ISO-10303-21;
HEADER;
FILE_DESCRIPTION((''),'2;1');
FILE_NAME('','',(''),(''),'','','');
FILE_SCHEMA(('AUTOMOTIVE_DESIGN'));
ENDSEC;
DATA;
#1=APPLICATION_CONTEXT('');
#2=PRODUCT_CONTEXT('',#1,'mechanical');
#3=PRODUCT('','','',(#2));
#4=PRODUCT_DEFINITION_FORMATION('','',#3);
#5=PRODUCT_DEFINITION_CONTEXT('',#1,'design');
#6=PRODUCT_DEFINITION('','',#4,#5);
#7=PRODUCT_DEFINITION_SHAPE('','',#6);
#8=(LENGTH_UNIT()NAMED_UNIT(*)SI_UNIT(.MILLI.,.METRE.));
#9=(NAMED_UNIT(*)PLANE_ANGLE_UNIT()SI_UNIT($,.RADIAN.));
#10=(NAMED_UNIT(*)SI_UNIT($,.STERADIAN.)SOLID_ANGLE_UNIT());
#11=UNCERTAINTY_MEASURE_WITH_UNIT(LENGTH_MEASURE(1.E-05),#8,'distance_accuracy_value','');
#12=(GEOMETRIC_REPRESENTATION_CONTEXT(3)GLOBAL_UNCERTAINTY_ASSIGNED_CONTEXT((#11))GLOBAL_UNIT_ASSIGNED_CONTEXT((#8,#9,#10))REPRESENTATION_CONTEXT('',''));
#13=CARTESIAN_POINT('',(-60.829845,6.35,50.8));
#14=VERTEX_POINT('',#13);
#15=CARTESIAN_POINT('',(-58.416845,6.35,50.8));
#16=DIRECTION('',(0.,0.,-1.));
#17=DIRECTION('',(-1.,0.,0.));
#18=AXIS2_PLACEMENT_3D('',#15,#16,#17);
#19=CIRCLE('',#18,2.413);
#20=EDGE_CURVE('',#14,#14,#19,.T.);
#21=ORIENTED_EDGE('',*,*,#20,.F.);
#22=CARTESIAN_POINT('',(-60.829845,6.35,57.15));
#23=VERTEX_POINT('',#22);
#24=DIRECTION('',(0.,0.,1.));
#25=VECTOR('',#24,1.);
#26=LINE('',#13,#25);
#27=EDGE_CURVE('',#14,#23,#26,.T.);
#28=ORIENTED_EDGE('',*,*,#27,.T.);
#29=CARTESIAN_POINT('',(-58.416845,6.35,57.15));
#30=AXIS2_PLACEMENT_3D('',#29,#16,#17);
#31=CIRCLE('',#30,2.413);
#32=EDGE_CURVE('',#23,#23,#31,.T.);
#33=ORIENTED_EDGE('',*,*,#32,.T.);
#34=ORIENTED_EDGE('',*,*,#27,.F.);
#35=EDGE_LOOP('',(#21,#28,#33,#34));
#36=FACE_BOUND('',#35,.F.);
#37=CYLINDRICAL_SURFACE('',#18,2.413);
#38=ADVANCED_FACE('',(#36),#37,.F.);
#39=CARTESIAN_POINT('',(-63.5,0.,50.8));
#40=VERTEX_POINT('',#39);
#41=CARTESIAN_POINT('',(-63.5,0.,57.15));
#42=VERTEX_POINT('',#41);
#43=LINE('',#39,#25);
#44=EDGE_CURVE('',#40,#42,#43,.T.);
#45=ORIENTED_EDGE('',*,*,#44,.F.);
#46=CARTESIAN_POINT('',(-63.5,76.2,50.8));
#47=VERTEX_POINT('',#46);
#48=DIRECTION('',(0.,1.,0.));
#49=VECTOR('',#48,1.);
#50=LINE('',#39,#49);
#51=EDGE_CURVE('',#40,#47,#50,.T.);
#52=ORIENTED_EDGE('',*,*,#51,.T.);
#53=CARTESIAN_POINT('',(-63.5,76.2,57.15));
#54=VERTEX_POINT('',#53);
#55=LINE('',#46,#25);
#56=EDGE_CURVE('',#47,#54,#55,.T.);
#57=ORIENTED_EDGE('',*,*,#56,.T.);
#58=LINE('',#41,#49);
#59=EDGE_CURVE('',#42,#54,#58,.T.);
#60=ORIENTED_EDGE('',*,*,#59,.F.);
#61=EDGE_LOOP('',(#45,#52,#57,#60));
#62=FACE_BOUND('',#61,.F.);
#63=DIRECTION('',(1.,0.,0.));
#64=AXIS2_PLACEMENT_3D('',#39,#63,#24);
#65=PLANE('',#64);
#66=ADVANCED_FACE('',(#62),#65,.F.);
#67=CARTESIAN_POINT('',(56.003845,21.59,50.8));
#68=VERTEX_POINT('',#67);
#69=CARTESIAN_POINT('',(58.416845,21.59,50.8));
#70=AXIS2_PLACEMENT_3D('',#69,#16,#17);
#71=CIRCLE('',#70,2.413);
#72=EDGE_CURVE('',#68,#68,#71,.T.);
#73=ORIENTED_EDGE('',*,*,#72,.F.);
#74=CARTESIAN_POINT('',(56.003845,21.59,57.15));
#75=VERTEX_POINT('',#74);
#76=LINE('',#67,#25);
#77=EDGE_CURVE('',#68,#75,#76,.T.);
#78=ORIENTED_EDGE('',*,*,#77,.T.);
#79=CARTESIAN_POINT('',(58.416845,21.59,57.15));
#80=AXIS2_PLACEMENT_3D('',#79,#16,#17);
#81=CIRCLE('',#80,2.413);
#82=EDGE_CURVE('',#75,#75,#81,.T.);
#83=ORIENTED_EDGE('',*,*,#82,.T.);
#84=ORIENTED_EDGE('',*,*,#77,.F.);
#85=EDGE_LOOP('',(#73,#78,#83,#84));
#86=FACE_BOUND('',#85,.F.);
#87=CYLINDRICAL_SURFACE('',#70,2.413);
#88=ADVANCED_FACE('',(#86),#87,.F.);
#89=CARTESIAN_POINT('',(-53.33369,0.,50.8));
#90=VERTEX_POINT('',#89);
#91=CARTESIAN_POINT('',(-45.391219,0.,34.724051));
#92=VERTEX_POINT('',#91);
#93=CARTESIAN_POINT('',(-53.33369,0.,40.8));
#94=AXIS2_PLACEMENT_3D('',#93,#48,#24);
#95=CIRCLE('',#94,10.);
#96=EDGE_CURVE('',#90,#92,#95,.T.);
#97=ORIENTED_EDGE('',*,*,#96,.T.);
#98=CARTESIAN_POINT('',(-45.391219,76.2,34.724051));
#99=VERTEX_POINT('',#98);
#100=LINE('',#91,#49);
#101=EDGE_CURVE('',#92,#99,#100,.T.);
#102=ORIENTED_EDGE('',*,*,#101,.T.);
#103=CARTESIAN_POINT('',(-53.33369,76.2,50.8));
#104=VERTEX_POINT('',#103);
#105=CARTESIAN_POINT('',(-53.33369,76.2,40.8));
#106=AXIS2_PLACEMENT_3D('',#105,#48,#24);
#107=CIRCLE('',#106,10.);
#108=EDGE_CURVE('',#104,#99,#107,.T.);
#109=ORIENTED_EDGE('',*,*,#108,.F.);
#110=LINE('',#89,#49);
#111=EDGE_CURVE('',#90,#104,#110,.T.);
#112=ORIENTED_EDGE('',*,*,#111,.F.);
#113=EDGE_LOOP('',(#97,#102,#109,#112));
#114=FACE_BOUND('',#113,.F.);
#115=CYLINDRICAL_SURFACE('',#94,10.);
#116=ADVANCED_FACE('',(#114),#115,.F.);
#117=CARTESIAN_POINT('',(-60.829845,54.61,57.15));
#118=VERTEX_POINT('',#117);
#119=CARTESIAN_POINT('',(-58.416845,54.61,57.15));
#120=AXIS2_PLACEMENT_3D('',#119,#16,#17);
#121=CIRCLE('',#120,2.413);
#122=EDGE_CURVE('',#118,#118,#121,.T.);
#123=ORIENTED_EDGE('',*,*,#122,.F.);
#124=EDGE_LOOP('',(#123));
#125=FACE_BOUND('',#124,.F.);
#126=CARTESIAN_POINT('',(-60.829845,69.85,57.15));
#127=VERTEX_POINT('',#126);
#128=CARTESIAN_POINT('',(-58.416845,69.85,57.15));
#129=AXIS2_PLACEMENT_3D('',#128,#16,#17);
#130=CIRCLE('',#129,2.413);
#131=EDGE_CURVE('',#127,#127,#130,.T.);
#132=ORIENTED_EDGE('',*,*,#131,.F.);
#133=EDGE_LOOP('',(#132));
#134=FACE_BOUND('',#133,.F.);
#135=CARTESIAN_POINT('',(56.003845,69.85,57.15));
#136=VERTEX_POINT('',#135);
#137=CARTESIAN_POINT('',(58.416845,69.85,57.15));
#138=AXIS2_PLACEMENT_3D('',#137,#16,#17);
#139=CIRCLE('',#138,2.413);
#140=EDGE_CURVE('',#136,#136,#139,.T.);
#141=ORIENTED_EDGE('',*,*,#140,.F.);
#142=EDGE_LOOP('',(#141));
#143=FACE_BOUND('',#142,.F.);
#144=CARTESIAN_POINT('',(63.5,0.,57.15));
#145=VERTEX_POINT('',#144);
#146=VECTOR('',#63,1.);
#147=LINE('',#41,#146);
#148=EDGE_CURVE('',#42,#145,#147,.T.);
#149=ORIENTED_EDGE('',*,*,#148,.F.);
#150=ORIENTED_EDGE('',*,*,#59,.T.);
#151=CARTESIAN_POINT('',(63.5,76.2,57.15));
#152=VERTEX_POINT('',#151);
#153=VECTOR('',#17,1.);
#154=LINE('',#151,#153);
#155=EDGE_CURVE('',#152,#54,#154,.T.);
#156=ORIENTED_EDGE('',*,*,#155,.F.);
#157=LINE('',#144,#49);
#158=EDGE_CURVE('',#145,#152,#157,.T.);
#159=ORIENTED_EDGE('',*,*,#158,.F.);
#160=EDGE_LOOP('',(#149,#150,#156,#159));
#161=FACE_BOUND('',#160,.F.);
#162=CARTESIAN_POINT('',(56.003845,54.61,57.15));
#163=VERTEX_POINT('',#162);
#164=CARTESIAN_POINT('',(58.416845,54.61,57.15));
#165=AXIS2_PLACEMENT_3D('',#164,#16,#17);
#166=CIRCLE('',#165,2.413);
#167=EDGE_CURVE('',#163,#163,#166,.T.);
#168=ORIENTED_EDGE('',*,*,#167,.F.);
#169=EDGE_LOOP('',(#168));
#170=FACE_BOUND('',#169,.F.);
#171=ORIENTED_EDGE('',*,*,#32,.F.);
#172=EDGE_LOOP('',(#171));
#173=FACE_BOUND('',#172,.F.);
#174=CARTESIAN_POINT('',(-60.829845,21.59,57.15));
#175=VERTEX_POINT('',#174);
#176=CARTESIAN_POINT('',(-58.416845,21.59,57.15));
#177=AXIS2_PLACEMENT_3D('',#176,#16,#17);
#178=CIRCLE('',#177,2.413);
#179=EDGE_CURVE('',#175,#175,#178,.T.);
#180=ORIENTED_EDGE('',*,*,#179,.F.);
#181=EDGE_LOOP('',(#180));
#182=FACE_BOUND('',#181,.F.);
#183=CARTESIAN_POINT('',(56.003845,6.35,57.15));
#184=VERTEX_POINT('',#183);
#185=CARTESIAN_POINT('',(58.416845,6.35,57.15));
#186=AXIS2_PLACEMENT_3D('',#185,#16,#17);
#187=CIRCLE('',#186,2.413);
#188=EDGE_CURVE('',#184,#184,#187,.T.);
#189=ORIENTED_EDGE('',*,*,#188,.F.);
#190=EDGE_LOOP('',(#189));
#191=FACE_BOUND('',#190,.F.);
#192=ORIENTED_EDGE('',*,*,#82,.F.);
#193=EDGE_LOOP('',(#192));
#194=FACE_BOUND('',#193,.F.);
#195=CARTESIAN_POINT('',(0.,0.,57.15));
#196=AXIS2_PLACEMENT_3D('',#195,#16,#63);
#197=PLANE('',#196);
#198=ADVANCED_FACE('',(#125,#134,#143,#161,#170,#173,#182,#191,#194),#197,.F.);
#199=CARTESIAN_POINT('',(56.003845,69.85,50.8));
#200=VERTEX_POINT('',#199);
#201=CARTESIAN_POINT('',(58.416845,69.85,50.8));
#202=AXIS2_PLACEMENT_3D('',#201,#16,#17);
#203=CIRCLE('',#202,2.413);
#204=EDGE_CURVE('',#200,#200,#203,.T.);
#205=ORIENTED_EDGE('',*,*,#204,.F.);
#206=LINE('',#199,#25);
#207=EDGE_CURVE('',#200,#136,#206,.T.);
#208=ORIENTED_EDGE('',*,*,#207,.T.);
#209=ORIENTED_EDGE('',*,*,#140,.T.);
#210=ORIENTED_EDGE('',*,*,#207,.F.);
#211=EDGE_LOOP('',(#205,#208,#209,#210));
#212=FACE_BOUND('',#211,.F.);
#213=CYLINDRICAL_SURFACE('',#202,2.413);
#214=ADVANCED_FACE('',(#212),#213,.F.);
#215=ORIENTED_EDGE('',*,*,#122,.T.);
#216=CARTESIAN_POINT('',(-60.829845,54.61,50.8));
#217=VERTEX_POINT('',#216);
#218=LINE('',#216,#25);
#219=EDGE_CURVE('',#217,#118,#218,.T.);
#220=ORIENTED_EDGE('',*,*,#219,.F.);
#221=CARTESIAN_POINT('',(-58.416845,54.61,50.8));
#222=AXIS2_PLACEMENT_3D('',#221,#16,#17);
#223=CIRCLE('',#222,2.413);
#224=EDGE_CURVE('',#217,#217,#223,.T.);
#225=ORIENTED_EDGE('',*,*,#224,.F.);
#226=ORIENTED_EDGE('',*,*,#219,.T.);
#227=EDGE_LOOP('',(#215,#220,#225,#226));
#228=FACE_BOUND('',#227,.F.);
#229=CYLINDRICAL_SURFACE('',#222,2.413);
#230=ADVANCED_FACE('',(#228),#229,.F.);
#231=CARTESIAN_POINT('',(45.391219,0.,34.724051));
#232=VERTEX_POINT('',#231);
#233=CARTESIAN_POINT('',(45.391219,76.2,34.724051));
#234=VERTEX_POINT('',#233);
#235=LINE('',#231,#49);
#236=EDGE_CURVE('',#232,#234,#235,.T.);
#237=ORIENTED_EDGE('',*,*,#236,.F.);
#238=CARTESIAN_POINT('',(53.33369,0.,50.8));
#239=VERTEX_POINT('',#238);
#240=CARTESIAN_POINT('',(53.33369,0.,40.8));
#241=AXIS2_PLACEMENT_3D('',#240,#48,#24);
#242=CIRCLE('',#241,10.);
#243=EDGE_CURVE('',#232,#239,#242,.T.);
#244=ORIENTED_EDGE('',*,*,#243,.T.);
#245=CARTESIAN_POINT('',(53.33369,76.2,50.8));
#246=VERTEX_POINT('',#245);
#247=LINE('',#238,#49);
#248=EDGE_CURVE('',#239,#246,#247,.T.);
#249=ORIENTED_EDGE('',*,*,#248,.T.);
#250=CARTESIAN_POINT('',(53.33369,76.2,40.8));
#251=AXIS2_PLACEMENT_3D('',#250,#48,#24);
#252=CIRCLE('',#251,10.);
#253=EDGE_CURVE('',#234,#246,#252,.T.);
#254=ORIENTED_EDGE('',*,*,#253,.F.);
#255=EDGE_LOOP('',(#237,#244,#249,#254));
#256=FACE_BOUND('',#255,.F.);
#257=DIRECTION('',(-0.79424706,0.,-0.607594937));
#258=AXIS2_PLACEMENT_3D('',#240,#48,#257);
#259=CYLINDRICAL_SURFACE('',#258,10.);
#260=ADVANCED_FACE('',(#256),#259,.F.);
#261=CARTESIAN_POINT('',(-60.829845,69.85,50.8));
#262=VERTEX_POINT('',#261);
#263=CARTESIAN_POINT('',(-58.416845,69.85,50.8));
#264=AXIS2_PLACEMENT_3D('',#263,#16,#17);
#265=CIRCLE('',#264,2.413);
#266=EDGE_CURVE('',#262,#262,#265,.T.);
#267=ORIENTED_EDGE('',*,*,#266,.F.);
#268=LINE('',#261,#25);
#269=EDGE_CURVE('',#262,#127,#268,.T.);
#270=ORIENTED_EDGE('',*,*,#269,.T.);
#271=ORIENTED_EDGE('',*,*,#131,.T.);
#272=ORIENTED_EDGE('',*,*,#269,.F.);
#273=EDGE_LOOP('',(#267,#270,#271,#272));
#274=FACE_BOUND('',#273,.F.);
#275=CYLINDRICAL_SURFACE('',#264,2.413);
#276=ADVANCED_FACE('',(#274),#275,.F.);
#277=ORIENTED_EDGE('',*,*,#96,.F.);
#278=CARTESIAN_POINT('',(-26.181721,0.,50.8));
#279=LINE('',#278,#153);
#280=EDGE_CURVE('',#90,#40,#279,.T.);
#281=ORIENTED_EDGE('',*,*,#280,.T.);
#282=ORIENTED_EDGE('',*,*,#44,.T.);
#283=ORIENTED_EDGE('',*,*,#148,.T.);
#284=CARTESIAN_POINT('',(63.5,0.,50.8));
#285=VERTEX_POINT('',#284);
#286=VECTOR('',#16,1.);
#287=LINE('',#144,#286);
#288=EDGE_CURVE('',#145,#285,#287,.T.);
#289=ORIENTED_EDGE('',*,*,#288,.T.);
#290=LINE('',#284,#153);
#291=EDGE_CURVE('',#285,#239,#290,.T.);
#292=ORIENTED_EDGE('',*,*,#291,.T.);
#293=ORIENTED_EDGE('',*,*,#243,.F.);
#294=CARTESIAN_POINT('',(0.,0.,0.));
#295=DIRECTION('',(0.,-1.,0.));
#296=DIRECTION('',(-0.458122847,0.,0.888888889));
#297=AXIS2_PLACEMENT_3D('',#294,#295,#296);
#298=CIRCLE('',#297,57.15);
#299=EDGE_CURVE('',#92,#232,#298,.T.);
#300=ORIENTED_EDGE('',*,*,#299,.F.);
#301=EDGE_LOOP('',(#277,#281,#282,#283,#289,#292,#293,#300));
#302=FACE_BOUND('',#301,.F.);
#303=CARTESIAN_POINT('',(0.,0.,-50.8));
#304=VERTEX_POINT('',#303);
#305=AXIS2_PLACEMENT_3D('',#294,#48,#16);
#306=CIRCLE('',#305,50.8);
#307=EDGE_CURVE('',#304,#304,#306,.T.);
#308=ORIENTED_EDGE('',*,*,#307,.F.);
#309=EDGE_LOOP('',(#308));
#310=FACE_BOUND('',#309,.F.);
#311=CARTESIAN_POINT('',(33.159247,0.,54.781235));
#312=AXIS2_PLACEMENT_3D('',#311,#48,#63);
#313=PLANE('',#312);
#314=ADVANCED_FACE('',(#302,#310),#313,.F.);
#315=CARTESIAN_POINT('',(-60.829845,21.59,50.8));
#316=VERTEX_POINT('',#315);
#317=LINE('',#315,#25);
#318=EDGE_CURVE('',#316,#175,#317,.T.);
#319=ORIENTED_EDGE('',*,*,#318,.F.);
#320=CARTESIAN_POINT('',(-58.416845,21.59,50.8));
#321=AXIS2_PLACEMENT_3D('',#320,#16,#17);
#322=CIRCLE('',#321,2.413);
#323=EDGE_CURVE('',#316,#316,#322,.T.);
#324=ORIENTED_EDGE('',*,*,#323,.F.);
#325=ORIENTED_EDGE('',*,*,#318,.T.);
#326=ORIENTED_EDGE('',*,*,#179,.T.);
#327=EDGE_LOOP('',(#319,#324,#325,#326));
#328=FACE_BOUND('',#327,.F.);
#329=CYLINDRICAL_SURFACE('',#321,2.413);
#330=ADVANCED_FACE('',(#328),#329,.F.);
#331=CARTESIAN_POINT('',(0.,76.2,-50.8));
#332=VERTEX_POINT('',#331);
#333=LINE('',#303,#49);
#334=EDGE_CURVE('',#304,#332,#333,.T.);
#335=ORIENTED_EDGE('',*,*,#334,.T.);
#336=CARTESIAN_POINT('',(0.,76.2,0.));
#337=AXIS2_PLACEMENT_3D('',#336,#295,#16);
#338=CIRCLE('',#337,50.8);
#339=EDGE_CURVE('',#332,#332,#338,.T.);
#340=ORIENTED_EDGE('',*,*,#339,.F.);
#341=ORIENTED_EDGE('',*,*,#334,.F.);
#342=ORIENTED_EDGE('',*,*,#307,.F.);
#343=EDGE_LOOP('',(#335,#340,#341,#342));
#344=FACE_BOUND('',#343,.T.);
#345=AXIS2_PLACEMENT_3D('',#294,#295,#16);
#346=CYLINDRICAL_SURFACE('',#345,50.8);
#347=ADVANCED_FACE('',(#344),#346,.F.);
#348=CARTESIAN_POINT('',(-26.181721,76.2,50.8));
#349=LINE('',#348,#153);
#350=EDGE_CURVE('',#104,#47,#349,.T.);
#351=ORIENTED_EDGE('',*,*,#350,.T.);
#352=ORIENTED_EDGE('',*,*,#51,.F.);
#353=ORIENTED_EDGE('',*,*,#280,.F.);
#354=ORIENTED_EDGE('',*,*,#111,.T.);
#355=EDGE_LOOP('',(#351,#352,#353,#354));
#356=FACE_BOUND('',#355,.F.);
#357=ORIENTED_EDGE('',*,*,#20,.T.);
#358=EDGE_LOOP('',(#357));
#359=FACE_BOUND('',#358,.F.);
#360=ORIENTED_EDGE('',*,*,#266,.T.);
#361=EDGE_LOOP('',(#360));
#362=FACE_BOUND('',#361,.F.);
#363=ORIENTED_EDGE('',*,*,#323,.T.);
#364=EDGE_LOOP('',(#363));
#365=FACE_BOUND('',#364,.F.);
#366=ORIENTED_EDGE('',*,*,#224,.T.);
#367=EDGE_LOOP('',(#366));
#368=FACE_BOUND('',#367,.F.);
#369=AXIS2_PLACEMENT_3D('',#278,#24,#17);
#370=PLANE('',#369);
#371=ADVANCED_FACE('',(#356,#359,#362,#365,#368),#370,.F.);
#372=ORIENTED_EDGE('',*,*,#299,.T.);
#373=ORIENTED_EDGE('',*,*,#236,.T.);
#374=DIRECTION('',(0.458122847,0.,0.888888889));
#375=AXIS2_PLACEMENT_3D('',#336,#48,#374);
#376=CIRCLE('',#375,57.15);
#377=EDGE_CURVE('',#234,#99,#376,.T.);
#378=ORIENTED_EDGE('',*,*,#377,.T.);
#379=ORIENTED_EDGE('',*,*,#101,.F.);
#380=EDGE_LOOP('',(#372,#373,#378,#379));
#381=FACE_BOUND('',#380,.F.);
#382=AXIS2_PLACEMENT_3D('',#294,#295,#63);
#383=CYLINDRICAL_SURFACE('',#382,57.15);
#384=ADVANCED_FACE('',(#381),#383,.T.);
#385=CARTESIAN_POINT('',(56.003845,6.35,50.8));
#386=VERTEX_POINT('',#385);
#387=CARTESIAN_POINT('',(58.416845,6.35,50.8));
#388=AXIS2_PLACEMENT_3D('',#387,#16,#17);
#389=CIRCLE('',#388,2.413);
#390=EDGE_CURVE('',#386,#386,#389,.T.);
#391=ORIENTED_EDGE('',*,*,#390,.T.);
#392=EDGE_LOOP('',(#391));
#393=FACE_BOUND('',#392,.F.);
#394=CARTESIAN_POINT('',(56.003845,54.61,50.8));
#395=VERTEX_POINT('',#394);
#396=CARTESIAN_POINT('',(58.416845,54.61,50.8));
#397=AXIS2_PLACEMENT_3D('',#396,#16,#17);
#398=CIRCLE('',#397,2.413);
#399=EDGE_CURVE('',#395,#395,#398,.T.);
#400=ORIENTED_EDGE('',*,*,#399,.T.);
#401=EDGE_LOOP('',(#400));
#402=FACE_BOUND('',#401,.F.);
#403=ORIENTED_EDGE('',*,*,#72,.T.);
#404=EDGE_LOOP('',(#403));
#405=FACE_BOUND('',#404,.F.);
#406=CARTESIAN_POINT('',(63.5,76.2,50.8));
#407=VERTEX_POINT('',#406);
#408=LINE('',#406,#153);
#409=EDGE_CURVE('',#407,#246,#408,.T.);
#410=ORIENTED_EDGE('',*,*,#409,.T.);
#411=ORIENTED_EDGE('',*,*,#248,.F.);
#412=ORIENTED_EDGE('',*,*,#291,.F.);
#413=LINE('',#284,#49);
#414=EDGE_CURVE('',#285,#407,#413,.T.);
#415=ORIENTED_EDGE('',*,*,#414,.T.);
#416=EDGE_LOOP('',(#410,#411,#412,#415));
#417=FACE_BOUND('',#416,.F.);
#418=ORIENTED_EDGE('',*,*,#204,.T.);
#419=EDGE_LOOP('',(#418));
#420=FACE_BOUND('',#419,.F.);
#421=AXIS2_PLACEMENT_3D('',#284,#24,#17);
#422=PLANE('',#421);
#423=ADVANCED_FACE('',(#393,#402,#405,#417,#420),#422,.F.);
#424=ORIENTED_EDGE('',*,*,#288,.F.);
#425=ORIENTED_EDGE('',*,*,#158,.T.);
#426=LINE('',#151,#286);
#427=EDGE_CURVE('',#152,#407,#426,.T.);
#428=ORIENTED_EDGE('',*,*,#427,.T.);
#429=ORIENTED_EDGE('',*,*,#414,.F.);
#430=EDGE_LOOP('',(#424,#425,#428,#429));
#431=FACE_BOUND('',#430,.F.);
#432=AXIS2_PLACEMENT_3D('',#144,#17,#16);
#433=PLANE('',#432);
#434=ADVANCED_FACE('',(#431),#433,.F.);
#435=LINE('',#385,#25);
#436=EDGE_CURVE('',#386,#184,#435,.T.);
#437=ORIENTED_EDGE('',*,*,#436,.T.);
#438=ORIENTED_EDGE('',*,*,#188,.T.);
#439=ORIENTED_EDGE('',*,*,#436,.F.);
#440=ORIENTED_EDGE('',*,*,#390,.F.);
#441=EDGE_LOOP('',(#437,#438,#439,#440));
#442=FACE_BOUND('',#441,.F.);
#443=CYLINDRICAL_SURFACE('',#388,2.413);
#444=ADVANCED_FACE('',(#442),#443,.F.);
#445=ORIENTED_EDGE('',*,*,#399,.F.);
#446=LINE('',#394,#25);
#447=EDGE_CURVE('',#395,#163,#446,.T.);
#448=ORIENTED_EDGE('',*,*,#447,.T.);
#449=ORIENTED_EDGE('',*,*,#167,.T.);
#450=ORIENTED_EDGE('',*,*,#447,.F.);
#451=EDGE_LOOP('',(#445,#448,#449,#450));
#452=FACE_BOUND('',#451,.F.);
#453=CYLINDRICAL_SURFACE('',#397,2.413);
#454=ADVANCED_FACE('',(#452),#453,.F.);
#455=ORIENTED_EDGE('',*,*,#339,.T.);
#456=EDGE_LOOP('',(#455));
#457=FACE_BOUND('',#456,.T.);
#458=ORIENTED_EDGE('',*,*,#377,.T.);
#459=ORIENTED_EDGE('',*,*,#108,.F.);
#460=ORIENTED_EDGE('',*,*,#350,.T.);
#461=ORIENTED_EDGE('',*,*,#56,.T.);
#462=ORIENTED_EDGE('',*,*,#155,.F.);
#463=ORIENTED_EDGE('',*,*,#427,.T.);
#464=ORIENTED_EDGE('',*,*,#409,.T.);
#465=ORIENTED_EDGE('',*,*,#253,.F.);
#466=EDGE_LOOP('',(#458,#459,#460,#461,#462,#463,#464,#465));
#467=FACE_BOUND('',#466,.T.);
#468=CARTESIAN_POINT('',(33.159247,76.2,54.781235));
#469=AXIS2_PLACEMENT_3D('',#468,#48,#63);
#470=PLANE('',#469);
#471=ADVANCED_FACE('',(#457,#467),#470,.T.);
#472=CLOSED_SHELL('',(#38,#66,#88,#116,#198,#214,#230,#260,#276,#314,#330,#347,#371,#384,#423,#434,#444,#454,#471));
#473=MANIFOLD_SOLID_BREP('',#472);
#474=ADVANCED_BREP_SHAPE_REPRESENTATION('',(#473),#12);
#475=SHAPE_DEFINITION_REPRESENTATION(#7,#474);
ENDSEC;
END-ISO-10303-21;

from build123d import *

# Parameters (mm, degrees)
SKETCH1_R           = 57.15
SKETCH1_R_2         = 50.8
BOSS_EXTRUDE1_DEPTH = 76.2
FILLET3_R           = 10
SKETCH2_R           = 2.413
CUT_EXTRUDE1_DEPTH  = 147.601134034


with BuildPart() as part:
    # Sketch1 → Boss-Extrude1 (new body)
    # profile 1 of 4: a face of its own
    with BuildSketch(Plane(origin=(0, 0, 0), x_dir=(1, 0, 0), z_dir=(0, 1, 0))):
        Circle(SKETCH1_R)
        with Locations(Location((0, 0, 0), (0, 0, 90))):
            Circle(SKETCH1_R_2, mode=Mode.SUBTRACT)
    # profile 2 of 4: a face of its own
    with BuildSketch(Plane(origin=(0, 0, 0), x_dir=(1, 0, 0), z_dir=(0, 1, 0))):
        with BuildLine():
            Line((-63.5, -57.15), (1.05e-07, -57.15))
            ThreePointArc((1.05e-07, -57.15), (-13.470384131, -55.539816811), (-26.181720723, -50.8))
            Line((-26.181720723, -50.8), (-63.5, -50.8))
            Line((-63.5, -50.8), (-63.5, -57.15))
        make_face()
    # profile 3 of 4: a face of its own
    with BuildSketch(Plane(origin=(0, 0, 0), x_dir=(1, 0, 0), z_dir=(0, 1, 0))):
        with BuildLine():
            ThreePointArc((-26.181720723, -50.8), (-13.470384131, -55.539816811), (1.05e-07, -57.15))
            ThreePointArc((1.05e-07, -57.15), (13.470384232, -55.539816786), (26.181720723, -50.8))
            Line((26.181720723, -50.8), (9.7e-08, -50.8))
            Line((9.7e-08, -50.8), (-26.181720723, -50.8))
        make_face()
    # profile 4 of 4: a face of its own
    with BuildSketch(Plane(origin=(0, 0, 0), x_dir=(1, 0, 0), z_dir=(0, 1, 0))):
        with BuildLine():
            Line((1.05e-07, -57.15), (63.5, -57.15))
            Line((63.5, -57.15), (63.5, -50.8))
            Line((63.5, -50.8), (26.181720723, -50.8))
            ThreePointArc((26.181720723, -50.8), (13.470384232, -55.539816786), (1.05e-07, -57.15))
        make_face()
    extrude(amount=BOSS_EXTRUDE1_DEPTH)

    # Fillet3
    fillet3_edges = [part.edges().sort_by_distance(p)[0] for p in [
        (26.181720723, 38.1, 50.8),
        (-26.181720723, 38.1, 50.8),
    ]]
    fillet(fillet3_edges, radius=FILLET3_R)

    # Sketch2 → Cut-Extrude1 (cut, through all)
    with BuildSketch(Plane(origin=(0, 0, 50.8), x_dir=(-1, 0, 0), z_dir=(0, 0, -1))):
        with Locations((58.416845051, 6.35)):
            Circle(SKETCH2_R)
        with Locations((58.416845051, 21.59)):
            Circle(SKETCH2_R)
        with Locations((58.416845051, 69.85)):
            Circle(SKETCH2_R)
        with Locations((58.416845051, 54.61)):
            Circle(SKETCH2_R)
        with Locations((-58.416845051, 6.35)):
            Circle(SKETCH2_R)
        with Locations((-58.416845051, 21.59)):
            Circle(SKETCH2_R)
        with Locations((-58.416845051, 69.85)):
            Circle(SKETCH2_R)
        with Locations((-58.416845051, 54.61)):
            Circle(SKETCH2_R)
    extrude(amount=-CUT_EXTRUDE1_DEPTH, mode=Mode.SUBTRACT)


solid = part.part
